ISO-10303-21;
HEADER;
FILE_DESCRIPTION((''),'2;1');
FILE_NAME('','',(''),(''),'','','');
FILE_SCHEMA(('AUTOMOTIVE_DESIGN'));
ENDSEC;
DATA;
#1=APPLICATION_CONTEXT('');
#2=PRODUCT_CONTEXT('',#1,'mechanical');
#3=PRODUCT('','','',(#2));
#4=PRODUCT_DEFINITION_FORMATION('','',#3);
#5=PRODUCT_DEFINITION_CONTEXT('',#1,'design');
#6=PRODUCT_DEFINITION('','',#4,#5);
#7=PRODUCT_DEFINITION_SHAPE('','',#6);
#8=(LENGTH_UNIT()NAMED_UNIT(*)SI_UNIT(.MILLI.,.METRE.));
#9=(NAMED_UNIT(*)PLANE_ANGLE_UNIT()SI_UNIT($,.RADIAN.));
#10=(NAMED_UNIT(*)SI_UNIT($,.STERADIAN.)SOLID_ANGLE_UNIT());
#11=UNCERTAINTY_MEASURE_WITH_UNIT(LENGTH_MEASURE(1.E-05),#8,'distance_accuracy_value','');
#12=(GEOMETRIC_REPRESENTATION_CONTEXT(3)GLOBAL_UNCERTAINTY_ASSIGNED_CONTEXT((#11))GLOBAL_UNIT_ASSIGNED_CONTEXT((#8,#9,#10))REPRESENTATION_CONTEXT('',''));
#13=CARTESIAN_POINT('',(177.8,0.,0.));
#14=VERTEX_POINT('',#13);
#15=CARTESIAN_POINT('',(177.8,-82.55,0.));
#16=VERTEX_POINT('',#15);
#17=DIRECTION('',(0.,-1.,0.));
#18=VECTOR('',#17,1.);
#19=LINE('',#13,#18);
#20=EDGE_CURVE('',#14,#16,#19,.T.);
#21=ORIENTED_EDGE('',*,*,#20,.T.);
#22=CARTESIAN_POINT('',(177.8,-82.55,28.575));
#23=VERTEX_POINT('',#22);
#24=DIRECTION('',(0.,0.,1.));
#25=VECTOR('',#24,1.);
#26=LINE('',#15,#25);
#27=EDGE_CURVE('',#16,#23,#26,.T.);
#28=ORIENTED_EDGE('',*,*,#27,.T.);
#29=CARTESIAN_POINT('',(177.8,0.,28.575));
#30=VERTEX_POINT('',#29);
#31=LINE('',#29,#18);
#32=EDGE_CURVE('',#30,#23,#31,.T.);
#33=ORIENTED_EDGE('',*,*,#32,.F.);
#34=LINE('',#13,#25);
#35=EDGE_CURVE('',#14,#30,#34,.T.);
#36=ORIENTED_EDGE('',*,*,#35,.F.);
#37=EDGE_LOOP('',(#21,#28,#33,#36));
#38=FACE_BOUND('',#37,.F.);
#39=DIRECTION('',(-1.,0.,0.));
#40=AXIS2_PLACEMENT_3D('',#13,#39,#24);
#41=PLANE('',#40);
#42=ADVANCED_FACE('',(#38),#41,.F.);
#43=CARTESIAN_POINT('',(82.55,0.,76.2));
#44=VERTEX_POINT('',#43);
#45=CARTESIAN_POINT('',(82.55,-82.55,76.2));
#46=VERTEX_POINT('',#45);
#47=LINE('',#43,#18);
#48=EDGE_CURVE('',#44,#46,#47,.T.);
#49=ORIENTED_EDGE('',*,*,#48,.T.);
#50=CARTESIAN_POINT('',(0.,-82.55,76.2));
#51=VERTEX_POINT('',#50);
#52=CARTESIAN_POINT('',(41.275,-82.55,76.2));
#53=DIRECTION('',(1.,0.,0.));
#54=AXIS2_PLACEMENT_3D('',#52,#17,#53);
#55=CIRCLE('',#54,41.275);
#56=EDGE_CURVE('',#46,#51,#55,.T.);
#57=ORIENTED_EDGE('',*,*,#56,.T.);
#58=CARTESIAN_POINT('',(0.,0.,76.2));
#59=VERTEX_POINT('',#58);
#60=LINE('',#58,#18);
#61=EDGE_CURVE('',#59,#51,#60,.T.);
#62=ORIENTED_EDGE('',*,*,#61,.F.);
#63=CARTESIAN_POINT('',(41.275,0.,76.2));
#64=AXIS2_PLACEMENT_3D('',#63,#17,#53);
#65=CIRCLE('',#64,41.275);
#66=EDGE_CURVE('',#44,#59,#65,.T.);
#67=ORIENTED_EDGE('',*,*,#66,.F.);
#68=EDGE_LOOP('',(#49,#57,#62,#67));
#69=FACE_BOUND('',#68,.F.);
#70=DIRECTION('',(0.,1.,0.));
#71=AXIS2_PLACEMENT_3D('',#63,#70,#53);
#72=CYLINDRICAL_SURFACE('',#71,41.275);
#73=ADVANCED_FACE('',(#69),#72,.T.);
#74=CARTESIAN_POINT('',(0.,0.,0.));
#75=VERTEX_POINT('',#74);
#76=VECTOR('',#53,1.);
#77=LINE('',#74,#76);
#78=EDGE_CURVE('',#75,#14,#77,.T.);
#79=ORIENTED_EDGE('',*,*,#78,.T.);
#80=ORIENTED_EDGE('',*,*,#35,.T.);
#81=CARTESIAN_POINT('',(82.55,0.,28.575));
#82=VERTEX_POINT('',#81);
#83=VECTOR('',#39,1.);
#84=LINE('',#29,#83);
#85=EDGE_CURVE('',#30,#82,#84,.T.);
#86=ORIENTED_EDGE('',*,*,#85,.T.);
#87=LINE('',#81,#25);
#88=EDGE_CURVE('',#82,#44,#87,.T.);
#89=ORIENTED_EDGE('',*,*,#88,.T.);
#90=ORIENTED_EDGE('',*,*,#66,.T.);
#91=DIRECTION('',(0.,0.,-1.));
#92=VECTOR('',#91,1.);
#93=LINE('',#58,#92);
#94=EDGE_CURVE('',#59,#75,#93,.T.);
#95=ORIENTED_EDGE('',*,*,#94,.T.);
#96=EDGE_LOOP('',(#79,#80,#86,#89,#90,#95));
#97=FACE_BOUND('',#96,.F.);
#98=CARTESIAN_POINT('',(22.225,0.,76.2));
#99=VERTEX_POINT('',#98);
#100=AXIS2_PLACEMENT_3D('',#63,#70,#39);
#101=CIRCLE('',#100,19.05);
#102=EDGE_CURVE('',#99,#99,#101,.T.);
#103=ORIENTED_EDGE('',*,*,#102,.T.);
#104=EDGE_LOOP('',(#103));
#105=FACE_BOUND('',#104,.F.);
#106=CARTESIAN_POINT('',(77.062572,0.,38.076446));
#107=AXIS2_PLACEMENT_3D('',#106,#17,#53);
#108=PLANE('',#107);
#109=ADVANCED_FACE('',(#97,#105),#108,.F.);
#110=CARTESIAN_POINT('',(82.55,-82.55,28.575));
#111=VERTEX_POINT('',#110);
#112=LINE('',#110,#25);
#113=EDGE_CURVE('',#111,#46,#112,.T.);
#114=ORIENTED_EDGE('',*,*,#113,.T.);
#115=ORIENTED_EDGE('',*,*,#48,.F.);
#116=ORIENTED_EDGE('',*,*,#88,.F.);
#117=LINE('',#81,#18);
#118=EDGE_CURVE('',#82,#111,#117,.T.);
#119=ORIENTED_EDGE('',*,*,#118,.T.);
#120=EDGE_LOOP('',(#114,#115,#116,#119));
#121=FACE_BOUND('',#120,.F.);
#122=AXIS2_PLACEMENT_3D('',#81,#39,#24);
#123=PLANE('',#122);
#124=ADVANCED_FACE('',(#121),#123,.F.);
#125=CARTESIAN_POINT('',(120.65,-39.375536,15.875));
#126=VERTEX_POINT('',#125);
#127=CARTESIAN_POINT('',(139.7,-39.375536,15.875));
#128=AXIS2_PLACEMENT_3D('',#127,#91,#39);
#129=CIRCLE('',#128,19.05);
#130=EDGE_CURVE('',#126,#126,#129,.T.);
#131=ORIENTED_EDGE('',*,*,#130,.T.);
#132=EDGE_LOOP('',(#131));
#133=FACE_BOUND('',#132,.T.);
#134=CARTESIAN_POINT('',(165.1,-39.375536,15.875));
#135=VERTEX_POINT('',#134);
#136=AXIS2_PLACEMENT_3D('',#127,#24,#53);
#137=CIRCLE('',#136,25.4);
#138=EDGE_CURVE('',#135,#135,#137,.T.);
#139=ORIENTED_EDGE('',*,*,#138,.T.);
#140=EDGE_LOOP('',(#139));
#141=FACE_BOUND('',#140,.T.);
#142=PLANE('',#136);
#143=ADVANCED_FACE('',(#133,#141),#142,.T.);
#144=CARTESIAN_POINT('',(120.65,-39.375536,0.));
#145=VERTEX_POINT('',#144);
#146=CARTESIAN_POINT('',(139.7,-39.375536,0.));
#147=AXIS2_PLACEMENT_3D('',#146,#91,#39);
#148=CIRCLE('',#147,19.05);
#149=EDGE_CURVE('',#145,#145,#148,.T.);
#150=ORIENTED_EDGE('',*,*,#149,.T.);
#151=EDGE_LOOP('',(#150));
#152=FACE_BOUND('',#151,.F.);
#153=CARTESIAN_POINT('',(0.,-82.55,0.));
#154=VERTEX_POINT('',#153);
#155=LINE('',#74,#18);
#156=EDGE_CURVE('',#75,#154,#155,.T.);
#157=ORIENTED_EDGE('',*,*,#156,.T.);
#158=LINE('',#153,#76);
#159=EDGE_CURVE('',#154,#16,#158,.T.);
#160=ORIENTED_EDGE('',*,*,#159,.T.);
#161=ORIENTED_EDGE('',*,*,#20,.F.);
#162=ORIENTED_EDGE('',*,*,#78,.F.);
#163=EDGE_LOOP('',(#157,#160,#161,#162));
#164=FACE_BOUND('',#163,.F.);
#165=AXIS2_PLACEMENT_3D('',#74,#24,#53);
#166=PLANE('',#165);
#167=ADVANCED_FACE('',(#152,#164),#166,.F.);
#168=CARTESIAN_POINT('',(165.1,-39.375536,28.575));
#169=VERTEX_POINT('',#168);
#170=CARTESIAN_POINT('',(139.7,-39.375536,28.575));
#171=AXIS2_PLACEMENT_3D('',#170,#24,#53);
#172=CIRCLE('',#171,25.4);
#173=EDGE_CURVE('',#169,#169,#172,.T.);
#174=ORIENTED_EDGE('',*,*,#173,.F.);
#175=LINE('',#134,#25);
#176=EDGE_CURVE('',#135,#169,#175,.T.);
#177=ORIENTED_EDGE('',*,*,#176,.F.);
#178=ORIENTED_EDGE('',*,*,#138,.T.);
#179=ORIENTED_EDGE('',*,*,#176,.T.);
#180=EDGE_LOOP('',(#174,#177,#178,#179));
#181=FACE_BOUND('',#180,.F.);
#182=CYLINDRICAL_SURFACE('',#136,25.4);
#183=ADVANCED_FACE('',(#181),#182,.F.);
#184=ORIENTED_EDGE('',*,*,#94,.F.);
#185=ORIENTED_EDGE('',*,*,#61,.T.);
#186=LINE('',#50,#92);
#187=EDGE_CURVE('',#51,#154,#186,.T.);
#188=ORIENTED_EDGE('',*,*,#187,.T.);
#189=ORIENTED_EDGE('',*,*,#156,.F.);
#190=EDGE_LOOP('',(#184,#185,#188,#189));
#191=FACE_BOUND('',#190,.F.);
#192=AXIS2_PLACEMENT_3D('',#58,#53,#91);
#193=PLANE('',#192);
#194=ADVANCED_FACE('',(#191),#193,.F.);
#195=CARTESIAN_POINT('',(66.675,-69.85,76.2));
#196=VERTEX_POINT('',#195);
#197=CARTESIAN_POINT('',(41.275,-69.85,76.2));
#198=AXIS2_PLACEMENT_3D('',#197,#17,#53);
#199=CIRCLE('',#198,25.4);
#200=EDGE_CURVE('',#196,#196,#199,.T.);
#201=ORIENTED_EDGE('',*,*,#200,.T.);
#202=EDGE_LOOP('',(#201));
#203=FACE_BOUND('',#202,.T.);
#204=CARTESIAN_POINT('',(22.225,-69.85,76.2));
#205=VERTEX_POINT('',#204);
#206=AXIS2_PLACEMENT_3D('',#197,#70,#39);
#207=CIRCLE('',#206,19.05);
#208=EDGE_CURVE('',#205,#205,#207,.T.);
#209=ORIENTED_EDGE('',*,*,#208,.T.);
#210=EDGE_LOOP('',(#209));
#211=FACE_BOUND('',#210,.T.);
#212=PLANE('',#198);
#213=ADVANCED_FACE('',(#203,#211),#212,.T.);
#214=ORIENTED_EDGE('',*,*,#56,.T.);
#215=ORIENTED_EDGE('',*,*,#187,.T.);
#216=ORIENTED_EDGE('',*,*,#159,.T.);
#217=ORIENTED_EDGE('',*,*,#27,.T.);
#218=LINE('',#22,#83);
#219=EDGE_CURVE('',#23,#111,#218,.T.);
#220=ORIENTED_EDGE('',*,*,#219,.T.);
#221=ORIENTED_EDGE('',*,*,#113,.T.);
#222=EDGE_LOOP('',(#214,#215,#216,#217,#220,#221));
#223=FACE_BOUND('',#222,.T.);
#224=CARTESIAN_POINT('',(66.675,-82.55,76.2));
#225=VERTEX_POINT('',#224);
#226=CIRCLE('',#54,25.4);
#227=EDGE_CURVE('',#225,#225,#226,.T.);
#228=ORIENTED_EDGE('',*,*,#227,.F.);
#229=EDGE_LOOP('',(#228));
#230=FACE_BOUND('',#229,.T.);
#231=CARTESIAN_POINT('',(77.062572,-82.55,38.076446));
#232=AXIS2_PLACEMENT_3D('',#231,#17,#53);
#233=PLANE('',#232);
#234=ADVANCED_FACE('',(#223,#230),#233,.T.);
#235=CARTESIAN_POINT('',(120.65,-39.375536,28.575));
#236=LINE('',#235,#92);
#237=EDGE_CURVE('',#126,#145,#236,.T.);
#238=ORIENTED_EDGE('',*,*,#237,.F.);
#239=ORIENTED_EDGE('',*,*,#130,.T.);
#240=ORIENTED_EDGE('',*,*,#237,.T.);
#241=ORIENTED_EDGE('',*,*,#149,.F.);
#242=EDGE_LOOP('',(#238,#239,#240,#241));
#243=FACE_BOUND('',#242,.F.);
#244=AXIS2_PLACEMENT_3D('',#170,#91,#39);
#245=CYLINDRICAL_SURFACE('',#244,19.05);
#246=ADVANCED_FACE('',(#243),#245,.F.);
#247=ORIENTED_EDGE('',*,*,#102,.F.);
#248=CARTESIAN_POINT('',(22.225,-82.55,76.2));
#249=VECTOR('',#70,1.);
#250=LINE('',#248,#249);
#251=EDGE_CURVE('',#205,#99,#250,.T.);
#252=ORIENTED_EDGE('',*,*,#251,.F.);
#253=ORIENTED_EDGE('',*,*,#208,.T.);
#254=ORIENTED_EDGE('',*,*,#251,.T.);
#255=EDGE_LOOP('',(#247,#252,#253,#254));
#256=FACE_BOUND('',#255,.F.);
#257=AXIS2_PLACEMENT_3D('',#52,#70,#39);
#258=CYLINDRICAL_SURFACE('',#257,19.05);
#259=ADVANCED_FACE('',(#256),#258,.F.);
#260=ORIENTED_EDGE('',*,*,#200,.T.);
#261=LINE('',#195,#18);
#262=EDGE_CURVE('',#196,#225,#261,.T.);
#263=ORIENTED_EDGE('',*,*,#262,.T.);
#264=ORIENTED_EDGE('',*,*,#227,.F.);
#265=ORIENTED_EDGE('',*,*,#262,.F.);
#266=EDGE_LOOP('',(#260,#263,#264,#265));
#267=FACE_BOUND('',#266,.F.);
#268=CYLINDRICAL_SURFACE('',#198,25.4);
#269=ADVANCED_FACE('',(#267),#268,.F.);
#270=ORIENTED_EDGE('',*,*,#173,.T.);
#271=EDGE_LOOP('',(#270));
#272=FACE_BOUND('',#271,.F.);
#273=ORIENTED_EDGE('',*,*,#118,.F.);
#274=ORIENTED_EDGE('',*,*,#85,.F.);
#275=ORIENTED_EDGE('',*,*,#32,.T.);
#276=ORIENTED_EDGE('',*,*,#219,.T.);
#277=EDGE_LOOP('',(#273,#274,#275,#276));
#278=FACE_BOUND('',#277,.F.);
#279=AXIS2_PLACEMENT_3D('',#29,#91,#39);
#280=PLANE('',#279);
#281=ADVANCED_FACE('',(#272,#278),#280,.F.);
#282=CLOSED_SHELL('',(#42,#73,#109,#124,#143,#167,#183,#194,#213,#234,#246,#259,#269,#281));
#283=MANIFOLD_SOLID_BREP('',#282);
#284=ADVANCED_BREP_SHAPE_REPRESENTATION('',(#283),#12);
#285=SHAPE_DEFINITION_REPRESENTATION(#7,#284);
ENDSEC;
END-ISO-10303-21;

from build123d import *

# Parameters (mm, degrees)
F1_DEPTH       = 82.55
F4_D           = 38.1
F4_CBORE_D     = 50.8
F4_CBORE_DEPTH = 12.7
F5_D           = 38.1
F5_CBORE_D     = 50.8
F5_CBORE_DEPTH = 12.7


with BuildPart() as f1:
    # F0 (on Front) → F1 (new body)
    with BuildSketch(Plane.XZ):
        with BuildLine():
            Line((0, 76.2), (0, 0))
            Line((0, 0), (177.8, 0))
            Line((177.8, 0), (177.8, 28.575))
            Line((177.8, 28.575), (82.55, 28.575))
            Line((82.55, 28.575), (82.55, 76.2))
            ThreePointArc((82.55, 76.2), (41.275, 117.475), (0, 76.2))
        make_face()
    extrude(amount=F1_DEPTH)

    # F4 (through all)
    with Locations(Plane.XZ.offset(82.55)):
        with Locations((41.275, 76.2)):
            CounterBoreHole(F4_D / 2, F4_CBORE_D / 2, F4_CBORE_DEPTH)

    # F5 (through all)
    with Locations(Plane.XY.offset(28.575)):
        with Locations((139.7, -39.375536)):
            CounterBoreHole(F5_D / 2, F5_CBORE_D / 2, F5_CBORE_DEPTH)


solid = f1.part
